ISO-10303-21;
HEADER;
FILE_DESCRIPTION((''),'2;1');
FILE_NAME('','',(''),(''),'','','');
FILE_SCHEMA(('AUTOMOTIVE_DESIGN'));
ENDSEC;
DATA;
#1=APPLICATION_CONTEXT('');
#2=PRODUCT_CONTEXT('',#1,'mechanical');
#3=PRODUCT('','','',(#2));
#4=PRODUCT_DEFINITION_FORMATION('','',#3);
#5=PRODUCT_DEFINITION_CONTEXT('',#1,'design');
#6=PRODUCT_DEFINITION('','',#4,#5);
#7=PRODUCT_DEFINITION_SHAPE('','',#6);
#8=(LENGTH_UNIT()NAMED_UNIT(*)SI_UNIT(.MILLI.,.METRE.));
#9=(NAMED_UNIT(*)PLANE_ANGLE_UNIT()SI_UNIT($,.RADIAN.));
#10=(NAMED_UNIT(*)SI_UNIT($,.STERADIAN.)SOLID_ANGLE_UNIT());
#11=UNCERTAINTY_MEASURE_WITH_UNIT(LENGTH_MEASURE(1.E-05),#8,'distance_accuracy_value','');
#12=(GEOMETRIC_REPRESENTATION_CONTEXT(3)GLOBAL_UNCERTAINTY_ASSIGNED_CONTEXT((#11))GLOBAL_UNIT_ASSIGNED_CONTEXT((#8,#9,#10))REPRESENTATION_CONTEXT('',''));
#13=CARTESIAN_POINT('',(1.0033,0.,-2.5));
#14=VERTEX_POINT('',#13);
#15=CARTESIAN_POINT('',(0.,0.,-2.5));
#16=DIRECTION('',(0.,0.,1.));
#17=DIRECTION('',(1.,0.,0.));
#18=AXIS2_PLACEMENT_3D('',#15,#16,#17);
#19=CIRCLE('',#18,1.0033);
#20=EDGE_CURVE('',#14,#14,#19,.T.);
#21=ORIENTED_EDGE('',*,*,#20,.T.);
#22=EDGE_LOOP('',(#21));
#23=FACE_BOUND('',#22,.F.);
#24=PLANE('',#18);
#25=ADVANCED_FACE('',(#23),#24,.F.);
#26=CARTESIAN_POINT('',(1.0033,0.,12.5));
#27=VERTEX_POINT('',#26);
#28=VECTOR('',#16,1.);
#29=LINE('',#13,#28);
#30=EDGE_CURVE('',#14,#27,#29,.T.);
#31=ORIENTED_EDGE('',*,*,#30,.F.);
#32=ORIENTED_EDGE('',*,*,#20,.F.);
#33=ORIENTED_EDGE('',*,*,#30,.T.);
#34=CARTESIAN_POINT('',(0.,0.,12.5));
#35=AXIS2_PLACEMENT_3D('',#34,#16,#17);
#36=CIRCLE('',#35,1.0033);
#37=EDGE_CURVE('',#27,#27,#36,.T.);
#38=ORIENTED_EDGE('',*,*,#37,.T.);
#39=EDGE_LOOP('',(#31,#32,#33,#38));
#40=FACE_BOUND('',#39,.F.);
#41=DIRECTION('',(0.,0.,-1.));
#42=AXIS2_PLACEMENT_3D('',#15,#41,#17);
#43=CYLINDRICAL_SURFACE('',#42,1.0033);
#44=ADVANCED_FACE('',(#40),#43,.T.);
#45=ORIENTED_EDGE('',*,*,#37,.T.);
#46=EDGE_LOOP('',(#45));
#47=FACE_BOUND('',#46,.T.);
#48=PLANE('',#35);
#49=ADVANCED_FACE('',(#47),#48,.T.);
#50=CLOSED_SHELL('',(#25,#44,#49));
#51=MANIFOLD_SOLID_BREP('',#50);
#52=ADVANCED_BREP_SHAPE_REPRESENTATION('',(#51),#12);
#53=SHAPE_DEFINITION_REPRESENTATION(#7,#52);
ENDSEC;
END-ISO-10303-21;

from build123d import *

# Parameters (mm, degrees)
CYLINDER_R     = 1.0033
CYLINDER_DEPTH = 15


with BuildPart() as part:
    # Cylinder → Cylinder (new body)
    with BuildSketch(Plane.XY.offset(-2.5)):
        Circle(CYLINDER_R)
    extrude(amount=CYLINDER_DEPTH)


solid = part.part
